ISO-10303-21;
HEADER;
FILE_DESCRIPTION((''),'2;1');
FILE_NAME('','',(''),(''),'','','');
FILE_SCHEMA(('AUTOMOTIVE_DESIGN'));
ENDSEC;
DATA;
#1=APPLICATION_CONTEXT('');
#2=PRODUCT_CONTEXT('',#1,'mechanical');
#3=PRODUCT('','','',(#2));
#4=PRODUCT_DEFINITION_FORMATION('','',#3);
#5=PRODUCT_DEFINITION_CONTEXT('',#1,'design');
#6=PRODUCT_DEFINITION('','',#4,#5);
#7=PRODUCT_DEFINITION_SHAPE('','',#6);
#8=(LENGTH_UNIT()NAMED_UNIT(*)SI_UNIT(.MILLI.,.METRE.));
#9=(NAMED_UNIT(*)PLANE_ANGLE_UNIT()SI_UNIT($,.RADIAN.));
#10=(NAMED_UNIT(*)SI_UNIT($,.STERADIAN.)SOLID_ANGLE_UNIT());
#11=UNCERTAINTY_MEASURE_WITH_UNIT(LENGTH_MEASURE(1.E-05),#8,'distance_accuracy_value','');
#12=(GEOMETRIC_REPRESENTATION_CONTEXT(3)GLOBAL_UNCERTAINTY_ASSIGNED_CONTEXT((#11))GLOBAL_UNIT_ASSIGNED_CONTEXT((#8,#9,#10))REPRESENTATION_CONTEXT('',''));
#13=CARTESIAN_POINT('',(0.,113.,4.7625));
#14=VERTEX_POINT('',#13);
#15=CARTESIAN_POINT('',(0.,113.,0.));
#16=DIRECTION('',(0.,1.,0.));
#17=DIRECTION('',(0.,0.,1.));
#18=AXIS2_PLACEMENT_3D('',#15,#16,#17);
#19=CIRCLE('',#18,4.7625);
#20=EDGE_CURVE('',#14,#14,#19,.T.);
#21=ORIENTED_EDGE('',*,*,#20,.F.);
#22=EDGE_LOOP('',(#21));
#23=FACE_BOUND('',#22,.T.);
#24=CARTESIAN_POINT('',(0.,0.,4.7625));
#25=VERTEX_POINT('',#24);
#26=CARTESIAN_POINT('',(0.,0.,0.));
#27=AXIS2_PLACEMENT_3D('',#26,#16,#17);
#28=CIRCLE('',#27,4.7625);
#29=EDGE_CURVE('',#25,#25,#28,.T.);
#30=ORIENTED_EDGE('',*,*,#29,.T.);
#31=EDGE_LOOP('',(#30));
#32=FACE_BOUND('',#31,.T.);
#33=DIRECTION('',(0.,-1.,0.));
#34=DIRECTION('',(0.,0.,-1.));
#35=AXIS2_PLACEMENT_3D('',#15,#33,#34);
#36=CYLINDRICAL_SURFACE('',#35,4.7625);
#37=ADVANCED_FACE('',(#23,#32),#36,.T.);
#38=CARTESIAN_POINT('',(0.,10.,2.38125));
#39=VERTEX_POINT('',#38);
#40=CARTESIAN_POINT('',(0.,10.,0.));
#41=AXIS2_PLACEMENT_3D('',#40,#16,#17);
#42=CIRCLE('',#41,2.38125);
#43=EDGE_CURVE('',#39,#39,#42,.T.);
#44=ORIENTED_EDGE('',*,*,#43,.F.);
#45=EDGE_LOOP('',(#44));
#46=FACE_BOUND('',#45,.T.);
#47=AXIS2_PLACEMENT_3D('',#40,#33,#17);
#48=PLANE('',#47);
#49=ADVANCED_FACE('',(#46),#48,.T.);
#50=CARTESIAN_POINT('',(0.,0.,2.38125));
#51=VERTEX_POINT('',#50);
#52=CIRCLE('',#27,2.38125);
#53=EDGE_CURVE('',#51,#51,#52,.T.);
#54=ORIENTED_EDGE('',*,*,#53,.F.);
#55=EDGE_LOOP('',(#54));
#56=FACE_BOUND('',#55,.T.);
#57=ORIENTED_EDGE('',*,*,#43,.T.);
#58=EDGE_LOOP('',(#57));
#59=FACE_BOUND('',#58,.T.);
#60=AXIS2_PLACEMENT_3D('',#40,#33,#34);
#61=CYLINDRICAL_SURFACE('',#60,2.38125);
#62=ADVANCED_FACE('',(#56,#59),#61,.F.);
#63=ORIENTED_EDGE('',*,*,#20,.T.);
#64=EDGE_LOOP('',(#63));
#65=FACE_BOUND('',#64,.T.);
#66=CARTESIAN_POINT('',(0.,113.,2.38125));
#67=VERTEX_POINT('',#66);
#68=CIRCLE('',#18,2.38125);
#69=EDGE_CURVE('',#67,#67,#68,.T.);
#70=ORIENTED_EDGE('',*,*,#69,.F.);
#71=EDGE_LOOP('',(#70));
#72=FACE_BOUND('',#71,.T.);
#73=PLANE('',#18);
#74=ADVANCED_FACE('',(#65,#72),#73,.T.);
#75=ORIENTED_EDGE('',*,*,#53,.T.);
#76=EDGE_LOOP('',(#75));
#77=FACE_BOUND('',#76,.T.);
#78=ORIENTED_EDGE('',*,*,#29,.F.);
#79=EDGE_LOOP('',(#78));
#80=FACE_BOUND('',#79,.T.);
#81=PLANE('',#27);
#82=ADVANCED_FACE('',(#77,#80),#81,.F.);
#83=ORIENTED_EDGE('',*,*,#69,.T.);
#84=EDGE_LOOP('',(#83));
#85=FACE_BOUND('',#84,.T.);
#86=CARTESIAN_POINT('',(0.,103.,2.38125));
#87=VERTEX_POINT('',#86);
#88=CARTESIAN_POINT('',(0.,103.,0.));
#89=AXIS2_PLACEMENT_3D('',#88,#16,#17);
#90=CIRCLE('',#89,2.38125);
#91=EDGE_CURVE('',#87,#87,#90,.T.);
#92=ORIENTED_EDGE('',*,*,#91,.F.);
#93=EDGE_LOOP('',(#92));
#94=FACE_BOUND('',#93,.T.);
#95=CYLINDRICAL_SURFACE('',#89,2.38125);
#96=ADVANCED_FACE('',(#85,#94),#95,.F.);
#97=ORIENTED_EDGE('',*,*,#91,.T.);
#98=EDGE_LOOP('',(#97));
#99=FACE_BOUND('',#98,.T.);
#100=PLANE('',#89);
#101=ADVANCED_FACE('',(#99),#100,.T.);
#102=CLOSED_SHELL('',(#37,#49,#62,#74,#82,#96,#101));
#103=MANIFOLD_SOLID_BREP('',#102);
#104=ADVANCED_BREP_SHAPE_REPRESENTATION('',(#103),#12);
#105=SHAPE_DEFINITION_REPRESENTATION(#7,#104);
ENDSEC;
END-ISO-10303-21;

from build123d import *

# Parameters (mm, degrees)
CROQUIS1_R              = 4.7625
SALIENTE_EXTRUIR1_DEPTH = 113
CROQUIS2_R              = 2.38125
CORTAR_EXTRUIR1_DEPTH   = 10


with BuildPart() as part:
    # Croquis1 → Saliente-Extruir1 (new body)
    with BuildSketch(Plane(origin=(0, 0, 0), x_dir=(1, 0, 0), z_dir=(0, 1, 0))):
        with Locations(Location((0, 0, 0), (0, 0, 270))):
            Circle(CROQUIS1_R)
    extrude(amount=SALIENTE_EXTRUIR1_DEPTH)

    # Croquis2 → Cortar-Extruir1 (cut)
    with BuildSketch(Plane(origin=(0, 113, 0), x_dir=(1, 0, 0), z_dir=(0, 1, 0))):
        with Locations(Location((0, 0, 0), (0, 0, 270))):
            Circle(CROQUIS2_R)
    cortar_extruir1 = extrude(amount=-CORTAR_EXTRUIR1_DEPTH, mode=Mode.SUBTRACT)

    # Simetría1: Cortar-Extruir1 across plane
    add(cortar_extruir1.mirror(Plane.ZX.offset(56.5)), mode=Mode.SUBTRACT)


solid = part.part
